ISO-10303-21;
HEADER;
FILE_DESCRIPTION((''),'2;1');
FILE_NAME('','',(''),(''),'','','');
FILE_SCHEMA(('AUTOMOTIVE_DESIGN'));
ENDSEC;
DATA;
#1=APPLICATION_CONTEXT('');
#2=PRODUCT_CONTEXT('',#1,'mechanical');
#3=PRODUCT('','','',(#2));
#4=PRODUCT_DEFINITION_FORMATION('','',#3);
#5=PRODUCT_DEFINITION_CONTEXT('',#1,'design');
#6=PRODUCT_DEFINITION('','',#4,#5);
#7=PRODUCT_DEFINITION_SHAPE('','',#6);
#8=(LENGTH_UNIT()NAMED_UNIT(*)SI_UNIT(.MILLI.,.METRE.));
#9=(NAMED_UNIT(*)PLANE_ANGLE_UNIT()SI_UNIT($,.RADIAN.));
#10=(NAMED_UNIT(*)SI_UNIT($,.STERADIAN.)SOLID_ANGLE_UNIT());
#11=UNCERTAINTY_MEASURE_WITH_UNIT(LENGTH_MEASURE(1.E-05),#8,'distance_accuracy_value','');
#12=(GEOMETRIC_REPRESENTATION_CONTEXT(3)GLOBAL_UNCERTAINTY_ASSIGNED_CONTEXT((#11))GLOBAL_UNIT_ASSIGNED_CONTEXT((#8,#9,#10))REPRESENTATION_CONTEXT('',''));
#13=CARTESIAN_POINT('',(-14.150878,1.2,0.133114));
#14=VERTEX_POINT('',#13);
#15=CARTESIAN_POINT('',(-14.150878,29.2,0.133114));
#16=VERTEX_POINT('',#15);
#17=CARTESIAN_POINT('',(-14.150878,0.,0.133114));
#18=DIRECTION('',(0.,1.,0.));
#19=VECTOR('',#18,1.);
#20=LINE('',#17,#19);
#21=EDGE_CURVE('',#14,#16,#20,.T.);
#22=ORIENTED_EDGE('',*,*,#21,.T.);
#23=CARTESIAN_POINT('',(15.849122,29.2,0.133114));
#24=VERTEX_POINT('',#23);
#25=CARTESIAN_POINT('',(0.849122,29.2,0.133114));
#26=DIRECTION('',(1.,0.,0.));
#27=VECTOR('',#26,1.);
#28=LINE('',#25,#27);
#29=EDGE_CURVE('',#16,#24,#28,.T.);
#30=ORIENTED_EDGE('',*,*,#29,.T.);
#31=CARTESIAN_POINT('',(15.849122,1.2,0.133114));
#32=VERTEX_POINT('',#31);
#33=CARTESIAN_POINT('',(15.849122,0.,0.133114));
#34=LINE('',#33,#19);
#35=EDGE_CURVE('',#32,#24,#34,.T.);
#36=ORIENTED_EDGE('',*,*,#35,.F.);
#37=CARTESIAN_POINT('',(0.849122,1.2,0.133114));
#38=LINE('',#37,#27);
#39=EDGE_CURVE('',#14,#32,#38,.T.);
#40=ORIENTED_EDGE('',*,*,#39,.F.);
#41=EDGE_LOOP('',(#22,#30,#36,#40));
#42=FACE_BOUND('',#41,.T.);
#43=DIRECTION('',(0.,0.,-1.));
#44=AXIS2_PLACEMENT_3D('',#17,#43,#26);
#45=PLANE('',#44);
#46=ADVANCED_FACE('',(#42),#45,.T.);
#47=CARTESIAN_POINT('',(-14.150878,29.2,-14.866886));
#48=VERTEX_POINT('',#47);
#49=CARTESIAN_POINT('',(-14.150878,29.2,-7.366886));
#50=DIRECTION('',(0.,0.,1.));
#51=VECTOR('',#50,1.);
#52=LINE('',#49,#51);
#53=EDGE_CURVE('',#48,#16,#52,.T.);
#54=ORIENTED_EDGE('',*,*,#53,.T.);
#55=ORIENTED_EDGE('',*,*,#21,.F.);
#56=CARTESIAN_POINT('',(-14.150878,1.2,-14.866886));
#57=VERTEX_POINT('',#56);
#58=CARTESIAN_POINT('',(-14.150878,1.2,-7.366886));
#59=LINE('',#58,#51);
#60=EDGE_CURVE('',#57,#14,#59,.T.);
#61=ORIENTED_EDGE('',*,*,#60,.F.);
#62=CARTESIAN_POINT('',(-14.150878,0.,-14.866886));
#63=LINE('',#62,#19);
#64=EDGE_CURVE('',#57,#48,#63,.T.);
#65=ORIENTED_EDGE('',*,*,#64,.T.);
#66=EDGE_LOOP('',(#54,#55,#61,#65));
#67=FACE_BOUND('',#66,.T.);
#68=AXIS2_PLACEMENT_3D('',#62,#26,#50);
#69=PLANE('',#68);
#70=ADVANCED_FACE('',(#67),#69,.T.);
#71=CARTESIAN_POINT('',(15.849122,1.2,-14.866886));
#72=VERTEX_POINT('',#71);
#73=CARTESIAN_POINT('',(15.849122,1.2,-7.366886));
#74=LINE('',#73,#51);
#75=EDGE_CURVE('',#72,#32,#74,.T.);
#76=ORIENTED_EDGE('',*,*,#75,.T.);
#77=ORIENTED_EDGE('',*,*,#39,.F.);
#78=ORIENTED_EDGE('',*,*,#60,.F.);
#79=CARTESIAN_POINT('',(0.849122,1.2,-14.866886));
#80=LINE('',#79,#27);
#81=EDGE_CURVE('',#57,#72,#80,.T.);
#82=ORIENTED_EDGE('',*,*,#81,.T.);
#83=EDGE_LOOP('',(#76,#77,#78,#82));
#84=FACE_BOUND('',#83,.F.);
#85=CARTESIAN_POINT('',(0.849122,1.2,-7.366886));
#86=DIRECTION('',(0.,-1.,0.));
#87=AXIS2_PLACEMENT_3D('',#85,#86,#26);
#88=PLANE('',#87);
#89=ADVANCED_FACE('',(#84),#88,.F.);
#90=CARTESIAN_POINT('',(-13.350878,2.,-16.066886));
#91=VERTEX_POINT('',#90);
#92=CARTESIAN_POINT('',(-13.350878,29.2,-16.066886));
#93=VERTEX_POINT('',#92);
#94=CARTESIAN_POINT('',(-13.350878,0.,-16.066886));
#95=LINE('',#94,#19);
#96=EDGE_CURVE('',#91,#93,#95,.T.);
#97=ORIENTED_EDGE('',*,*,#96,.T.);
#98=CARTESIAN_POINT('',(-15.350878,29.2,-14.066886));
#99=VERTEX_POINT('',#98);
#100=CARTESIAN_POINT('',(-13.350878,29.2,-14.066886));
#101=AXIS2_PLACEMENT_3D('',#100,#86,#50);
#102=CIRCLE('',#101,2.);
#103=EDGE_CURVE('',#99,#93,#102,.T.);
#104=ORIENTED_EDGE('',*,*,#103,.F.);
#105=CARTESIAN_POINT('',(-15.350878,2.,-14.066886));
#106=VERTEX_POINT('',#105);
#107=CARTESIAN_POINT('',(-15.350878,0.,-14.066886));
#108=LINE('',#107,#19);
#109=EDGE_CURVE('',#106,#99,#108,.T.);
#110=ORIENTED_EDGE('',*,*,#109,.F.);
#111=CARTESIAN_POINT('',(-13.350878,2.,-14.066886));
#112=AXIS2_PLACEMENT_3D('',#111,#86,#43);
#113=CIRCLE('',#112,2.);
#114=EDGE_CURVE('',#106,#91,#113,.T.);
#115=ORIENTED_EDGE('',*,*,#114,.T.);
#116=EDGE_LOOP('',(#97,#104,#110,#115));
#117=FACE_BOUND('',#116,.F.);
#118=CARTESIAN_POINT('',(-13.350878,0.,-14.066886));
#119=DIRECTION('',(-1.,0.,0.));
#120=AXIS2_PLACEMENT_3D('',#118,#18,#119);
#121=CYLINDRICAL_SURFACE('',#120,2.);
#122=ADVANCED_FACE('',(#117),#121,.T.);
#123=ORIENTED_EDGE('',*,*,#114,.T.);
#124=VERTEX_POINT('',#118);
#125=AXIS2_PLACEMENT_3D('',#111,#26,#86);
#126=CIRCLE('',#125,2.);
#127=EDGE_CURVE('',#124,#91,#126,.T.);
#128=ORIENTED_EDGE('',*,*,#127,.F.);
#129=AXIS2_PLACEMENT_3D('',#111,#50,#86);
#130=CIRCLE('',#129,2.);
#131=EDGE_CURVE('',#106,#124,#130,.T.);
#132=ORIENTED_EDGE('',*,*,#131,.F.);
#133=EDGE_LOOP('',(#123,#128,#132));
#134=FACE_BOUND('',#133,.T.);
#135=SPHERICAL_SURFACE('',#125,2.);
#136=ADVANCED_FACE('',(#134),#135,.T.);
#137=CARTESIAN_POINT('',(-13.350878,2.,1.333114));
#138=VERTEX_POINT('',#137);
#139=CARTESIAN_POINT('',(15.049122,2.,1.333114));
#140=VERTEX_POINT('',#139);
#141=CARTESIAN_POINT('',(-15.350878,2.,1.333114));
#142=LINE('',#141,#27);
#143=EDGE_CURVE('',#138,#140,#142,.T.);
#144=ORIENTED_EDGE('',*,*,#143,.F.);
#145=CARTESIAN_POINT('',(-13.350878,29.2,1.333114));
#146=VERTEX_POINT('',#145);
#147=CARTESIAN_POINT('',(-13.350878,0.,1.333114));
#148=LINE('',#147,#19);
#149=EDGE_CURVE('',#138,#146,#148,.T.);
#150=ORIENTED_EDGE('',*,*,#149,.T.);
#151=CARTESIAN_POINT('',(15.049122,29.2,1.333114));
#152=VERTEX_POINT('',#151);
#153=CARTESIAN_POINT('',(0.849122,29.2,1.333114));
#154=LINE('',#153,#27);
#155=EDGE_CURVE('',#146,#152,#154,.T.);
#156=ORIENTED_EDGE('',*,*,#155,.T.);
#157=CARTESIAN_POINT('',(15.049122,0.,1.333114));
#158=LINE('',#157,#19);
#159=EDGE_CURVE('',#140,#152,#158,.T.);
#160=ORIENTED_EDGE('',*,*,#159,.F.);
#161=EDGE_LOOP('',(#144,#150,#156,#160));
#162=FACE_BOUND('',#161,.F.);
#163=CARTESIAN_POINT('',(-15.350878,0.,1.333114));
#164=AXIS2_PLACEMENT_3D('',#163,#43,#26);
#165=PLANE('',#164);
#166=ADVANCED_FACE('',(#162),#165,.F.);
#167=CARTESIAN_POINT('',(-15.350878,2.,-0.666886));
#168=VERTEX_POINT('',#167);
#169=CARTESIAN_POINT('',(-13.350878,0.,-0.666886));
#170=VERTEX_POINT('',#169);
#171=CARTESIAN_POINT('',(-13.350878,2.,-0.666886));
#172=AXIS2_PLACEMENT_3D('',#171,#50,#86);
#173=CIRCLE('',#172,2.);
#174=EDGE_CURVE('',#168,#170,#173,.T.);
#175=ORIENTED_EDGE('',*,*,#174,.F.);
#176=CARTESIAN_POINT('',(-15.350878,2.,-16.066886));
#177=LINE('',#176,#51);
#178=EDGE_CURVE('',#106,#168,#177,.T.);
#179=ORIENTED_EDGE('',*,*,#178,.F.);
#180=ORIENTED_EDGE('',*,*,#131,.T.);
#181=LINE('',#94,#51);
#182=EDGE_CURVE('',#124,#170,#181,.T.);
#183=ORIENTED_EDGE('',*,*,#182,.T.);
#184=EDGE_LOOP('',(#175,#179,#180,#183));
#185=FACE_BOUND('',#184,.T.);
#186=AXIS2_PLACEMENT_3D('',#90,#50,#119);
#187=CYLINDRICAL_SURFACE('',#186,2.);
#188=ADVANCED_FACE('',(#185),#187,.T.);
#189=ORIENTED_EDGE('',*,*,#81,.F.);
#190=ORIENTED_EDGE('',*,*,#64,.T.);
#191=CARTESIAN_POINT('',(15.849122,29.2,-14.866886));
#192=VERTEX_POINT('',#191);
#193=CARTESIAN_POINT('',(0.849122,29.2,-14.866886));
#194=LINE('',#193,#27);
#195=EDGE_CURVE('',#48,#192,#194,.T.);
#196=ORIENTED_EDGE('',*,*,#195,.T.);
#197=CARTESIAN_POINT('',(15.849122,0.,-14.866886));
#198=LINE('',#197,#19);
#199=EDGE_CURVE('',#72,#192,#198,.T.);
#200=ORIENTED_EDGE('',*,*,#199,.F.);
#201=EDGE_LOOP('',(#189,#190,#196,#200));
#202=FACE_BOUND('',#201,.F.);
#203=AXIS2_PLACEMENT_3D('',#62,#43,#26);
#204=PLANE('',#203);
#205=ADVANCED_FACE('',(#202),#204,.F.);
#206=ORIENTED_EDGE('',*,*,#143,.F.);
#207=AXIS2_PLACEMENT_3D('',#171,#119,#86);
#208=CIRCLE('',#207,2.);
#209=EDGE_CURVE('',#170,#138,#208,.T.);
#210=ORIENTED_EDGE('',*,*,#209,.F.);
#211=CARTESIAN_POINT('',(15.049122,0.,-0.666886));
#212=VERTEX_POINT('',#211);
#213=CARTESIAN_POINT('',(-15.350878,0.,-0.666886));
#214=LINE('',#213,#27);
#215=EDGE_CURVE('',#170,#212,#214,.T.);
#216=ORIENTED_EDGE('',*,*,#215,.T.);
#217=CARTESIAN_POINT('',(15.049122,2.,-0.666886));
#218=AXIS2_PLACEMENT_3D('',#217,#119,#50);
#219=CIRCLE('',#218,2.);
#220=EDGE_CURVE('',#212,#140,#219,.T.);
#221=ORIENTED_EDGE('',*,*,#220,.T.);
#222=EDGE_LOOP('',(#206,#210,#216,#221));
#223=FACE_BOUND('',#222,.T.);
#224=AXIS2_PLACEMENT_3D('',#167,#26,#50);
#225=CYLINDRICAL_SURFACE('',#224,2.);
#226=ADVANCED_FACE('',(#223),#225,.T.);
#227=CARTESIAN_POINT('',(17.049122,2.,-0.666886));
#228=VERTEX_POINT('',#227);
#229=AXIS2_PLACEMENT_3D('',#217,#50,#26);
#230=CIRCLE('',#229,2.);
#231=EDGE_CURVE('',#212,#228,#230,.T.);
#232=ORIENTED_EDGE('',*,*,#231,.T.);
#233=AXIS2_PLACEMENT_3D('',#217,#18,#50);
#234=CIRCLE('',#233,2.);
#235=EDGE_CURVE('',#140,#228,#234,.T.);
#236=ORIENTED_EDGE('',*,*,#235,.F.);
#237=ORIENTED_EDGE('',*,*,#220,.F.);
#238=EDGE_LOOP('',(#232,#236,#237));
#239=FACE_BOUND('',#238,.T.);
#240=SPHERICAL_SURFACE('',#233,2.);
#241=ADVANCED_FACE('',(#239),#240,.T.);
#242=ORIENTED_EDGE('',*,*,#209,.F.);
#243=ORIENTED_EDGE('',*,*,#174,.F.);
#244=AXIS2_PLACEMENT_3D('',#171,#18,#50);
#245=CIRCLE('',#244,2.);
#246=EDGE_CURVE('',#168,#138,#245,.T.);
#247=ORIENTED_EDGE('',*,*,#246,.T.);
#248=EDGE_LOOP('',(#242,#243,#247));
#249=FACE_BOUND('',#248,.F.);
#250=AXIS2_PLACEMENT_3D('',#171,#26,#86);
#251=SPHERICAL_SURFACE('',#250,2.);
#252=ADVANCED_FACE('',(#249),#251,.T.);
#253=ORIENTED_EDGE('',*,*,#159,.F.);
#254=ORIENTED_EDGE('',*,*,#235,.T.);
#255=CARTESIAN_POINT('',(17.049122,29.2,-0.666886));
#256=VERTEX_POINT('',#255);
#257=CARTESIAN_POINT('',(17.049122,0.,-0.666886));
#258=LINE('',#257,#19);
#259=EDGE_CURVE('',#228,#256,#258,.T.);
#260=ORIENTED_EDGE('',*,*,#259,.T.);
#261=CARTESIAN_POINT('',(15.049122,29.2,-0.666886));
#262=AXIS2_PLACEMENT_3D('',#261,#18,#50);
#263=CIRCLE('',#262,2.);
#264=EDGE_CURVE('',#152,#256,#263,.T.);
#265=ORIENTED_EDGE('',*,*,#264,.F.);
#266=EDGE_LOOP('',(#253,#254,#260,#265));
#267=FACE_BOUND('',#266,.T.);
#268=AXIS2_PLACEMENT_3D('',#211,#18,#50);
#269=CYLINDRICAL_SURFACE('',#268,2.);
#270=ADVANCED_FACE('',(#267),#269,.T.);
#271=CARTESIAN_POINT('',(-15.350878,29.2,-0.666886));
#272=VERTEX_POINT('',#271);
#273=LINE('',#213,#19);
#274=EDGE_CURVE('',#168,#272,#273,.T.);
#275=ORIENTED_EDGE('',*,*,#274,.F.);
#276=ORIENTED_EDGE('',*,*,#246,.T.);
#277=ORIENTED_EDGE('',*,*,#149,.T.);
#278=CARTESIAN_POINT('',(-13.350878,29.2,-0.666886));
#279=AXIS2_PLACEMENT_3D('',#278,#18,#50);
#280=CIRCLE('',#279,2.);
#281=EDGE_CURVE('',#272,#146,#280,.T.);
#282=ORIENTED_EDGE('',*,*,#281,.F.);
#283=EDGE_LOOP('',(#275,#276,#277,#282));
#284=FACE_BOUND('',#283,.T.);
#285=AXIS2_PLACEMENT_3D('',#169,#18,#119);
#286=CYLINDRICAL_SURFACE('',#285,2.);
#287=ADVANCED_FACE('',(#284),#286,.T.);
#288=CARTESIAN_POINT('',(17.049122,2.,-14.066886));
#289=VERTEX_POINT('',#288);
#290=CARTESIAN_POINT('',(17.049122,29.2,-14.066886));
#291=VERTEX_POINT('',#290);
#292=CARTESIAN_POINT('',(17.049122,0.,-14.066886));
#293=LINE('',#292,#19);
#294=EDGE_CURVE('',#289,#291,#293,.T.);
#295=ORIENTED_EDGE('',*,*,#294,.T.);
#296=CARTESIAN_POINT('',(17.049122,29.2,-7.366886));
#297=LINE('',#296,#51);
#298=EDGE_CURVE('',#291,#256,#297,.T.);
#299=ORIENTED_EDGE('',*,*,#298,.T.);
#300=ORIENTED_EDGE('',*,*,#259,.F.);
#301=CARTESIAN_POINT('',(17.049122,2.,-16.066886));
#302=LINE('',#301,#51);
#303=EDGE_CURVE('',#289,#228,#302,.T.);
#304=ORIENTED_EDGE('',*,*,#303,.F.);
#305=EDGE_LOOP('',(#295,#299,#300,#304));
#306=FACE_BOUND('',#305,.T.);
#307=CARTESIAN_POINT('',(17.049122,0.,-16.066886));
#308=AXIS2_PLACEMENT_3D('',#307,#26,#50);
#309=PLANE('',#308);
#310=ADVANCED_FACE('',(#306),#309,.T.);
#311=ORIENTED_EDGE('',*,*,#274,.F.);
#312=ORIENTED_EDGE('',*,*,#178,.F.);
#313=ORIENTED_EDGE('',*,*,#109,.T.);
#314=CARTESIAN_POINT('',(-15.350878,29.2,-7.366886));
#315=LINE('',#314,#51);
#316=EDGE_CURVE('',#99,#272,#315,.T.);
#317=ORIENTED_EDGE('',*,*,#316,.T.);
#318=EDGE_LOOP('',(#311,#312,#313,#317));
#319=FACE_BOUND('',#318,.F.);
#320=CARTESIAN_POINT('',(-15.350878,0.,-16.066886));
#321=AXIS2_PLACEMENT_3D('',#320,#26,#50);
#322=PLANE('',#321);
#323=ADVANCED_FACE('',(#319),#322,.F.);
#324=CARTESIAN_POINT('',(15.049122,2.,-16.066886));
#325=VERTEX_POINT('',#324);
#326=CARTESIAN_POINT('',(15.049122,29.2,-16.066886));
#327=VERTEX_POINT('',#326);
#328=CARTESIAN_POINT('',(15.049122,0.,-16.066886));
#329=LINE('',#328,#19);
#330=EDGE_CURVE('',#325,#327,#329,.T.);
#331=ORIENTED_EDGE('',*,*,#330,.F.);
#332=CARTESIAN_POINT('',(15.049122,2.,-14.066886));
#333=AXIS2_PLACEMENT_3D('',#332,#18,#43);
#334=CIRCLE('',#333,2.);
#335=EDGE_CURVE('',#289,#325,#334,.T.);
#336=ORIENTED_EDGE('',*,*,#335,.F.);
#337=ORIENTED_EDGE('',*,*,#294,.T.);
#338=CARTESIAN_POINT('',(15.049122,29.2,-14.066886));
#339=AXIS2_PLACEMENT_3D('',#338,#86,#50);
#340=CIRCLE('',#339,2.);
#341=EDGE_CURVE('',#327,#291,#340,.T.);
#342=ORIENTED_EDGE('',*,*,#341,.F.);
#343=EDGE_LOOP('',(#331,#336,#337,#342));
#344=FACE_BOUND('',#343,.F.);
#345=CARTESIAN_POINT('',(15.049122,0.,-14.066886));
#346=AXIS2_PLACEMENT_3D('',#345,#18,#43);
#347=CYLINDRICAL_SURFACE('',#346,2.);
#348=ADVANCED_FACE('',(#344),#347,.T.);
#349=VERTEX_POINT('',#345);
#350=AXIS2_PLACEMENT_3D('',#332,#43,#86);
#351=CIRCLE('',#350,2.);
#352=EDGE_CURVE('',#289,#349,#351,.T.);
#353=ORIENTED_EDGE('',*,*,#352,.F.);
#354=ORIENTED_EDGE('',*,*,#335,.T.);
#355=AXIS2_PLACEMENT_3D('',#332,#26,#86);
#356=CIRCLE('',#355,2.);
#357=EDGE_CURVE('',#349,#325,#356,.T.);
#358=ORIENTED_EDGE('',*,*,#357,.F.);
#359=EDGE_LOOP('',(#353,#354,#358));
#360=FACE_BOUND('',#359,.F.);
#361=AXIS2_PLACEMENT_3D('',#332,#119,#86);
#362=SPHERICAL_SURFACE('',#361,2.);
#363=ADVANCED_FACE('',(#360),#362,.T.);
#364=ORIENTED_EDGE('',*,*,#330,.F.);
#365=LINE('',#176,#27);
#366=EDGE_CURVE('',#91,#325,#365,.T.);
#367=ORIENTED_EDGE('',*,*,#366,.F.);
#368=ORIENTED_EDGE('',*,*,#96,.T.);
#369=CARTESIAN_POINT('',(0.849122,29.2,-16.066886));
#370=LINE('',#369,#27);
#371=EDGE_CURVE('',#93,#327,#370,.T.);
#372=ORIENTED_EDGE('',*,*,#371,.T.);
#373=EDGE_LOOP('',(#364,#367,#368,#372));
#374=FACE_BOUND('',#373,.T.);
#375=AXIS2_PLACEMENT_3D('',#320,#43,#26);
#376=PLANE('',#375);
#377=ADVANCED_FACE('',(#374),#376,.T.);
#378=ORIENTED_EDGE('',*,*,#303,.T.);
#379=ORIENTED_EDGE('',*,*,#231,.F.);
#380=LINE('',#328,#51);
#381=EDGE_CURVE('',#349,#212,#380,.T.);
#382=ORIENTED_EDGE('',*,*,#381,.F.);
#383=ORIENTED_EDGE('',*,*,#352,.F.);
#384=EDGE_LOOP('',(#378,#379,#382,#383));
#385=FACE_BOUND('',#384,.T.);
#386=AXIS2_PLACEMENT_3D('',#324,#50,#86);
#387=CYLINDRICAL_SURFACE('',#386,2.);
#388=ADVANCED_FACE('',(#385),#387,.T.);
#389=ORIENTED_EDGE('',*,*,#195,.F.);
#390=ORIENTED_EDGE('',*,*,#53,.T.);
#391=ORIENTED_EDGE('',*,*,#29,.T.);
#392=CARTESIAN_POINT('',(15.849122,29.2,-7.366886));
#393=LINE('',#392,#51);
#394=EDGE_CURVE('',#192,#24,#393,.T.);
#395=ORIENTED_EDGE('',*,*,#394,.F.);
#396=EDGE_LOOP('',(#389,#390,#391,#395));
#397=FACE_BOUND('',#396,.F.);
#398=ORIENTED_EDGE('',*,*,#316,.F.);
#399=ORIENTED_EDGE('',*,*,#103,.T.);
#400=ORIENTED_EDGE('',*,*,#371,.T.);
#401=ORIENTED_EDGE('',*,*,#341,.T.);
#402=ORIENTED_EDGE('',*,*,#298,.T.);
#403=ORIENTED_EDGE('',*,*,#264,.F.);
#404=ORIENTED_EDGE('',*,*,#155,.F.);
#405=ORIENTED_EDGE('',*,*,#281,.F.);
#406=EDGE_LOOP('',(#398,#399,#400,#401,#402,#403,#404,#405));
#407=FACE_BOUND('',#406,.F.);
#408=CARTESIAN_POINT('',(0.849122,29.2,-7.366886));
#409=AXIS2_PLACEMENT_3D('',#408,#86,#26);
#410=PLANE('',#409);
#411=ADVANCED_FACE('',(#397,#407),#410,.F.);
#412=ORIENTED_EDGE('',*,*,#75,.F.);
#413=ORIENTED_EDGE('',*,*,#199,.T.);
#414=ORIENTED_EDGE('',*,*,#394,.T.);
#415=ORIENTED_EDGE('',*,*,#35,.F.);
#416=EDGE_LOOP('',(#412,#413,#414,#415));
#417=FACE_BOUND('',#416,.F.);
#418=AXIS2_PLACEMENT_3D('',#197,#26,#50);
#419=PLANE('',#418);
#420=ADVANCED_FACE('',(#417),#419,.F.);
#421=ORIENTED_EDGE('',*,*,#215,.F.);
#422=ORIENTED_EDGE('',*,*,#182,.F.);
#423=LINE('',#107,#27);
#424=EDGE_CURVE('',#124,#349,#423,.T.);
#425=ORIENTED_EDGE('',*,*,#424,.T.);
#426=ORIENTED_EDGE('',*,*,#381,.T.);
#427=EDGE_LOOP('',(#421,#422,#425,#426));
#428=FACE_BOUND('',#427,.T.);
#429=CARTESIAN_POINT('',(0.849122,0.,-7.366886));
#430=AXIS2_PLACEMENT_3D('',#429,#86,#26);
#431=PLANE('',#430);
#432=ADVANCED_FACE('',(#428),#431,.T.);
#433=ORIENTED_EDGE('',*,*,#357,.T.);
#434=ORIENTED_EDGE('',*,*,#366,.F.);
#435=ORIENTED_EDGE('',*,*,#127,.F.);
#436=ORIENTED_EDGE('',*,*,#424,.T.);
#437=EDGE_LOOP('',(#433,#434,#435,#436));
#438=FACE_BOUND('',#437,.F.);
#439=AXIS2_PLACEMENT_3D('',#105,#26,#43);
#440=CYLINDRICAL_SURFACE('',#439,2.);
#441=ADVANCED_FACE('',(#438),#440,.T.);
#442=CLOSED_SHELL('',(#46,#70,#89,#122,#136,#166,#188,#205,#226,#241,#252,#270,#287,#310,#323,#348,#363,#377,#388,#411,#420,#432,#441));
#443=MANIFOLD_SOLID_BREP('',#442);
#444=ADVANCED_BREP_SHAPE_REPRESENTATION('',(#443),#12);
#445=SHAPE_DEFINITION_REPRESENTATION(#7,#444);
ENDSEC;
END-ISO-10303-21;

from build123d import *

# Parameters (mm, degrees)
F0_W     = 30
F0_H     = 15
F1_DEPTH = 1.2
F0_W_2   = 32.4
F0_H_2   = 17.4
F2_DEPTH = 29.2
F3_R     = 2


with BuildPart() as f1:
    # F0 (on Front) → F1 (new body)
    with BuildSketch(Plane.XZ):
        with Locations((0.849122, -7.366886)):
            Rectangle(F0_W, F0_H)
    extrude(amount=-F1_DEPTH)

    # F0 (on Front) → F2 (join)
    with BuildSketch(Plane.XZ):
        with Locations((0.849122, -7.366886)):
            Rectangle(F0_W_2, F0_H_2)
        with Locations((0.849122, -7.366886)):
            Rectangle(F0_W, F0_H, mode=Mode.SUBTRACT)
    extrude(amount=-F2_DEPTH)

    # F3
    f3_edges = [f1.edges().sort_by_distance(p)[0] for p in [
        (17.049122, 14.6, 1.333114),
        (0.849122, 0, 1.333114),
        (0.849122, 0, -16.066886),
        (17.049122, 0, -7.366886),
        (17.049122, 14.6, -16.066886),
        (-15.350878, 0, -7.366886),
        (-15.350878, 14.6, 1.333114),
        (-15.350878, 14.6, -16.066886),
    ]]
    fillet(f3_edges, radius=F3_R)


solid = f1.part
